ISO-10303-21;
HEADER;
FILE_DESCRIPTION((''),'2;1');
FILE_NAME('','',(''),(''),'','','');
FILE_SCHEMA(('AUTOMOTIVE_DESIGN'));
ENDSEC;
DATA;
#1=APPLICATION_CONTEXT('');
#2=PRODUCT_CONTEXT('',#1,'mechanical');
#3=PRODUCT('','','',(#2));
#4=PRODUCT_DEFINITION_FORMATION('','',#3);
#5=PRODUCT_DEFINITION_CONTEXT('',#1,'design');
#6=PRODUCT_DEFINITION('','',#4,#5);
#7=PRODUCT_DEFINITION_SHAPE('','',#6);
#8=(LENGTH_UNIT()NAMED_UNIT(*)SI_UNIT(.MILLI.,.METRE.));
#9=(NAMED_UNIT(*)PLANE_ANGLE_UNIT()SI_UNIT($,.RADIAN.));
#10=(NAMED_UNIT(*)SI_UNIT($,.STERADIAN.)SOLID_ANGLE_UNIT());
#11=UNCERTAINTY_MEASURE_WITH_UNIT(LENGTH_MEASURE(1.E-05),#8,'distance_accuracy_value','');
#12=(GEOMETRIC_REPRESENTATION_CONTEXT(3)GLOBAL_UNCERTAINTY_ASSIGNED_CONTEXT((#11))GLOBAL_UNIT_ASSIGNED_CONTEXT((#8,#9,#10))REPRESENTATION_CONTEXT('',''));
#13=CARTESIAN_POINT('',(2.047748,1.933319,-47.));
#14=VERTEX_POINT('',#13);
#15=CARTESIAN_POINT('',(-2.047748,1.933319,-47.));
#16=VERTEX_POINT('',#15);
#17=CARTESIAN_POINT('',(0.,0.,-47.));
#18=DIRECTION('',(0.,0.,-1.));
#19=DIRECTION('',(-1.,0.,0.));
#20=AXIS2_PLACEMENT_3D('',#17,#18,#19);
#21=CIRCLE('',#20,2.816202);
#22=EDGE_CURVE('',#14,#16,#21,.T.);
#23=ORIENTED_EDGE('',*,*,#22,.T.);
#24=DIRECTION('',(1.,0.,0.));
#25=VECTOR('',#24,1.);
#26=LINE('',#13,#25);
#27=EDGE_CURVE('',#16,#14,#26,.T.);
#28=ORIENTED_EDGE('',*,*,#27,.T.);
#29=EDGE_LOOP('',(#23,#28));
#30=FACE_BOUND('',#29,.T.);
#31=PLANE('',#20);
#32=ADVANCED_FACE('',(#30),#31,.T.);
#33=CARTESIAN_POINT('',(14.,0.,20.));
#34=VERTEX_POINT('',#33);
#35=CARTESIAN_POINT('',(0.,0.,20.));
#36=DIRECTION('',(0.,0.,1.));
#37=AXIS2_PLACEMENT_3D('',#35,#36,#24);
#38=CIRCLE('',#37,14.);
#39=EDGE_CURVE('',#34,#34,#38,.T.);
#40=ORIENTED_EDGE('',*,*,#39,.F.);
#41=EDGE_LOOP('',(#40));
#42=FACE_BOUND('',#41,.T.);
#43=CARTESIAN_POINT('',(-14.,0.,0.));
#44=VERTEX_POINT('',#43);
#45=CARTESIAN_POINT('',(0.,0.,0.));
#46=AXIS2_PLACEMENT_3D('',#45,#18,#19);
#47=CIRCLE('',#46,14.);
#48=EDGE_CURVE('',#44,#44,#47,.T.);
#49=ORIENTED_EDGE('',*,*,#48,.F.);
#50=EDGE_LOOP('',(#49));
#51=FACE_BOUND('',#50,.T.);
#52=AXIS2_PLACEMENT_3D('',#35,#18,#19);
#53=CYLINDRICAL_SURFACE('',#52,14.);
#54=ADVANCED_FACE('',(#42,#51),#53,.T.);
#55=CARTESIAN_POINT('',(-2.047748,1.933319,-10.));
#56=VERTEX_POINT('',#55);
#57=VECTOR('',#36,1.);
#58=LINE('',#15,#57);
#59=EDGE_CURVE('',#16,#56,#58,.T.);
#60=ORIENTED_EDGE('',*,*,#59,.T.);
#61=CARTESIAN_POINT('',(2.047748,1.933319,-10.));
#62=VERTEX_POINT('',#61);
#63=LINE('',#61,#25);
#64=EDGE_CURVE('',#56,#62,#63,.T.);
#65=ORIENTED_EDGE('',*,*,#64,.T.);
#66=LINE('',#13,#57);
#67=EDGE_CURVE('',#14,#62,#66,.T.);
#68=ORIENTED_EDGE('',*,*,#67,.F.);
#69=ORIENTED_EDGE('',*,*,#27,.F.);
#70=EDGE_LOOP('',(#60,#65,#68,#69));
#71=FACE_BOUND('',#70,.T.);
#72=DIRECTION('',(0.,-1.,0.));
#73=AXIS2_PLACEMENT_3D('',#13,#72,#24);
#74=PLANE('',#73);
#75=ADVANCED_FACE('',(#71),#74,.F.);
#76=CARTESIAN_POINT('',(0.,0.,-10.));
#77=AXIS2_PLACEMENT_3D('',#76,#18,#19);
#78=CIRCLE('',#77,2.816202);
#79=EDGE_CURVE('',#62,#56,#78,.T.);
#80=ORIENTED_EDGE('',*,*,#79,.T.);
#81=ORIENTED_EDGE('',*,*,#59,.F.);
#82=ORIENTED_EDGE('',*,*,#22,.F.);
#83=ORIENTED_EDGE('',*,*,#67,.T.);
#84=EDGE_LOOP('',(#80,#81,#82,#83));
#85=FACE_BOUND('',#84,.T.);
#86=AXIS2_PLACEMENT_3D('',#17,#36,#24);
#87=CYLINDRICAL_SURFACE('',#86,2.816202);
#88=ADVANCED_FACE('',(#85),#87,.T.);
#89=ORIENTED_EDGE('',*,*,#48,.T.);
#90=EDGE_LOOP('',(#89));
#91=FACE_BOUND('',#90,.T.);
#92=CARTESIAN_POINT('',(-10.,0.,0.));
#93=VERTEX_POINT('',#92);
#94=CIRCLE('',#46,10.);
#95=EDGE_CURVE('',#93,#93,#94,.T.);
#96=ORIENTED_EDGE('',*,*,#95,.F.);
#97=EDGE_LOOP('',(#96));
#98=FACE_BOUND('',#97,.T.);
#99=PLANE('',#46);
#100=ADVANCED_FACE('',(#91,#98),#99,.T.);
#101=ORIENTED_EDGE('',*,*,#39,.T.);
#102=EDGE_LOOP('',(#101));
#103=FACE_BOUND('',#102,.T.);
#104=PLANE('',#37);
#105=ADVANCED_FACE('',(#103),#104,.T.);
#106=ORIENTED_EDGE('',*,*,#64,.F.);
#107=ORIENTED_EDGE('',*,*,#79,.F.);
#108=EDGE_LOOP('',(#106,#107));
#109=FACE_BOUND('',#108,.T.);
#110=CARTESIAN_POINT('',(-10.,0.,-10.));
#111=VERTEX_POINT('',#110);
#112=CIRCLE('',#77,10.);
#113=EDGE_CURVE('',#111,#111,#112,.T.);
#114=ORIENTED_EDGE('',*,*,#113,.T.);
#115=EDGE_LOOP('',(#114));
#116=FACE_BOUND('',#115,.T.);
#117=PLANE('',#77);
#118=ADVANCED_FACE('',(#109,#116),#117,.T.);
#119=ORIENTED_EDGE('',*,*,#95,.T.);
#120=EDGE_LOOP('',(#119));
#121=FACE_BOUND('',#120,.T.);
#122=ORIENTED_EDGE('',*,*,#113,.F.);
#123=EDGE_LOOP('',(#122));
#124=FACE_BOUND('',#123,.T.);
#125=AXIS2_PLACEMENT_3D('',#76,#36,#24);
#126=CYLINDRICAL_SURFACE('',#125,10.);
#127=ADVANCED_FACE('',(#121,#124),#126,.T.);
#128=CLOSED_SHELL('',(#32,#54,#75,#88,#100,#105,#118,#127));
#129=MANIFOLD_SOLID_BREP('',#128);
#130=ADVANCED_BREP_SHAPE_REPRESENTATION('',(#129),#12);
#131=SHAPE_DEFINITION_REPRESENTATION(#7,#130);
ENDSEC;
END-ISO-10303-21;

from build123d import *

# Parameters (mm, degrees)
ESQUISSE1_R             = 14
BOSS_EXTRU_1_DEPTH      = 20
BOSS_EXTRU_2_DEPTH      = 47
ESQUISSE3_R             = 18
BOSS_EXTRU_3_DEPTH      = 2
ESQUISSE4_R             = 10
BOSS_EXTRU_4_DEPTH      = 8
BOSS_EXTRU_5_START      = -2
BOSS_EXTRU_5_DEPTH      = 2
ENL_V_START             = -2
ESQUISSE6_R             = 10
ENL_V_MAT_EXTRU_1_DEPTH = 2


with BuildPart() as part:
    # Esquisse1 → Boss.-Extru.1 (new body)
    with BuildSketch(Plane.XY):
        Circle(ESQUISSE1_R)
    extrude(amount=BOSS_EXTRU_1_DEPTH)

    # Esquisse2 → Boss.-Extru.2 (add)
    with BuildSketch(Plane(origin=(0, 0, 0), x_dir=(-1, 0, 0), z_dir=(0, 0, -1))):
        with BuildLine():
            Line((-2.047747609, 1.933319394), (2.047747609, 1.933319394))
            ThreePointArc((2.047747609, 1.933319394), (0, -2.816202079), (-2.047747609, 1.933319394))
        make_face()
    extrude(amount=BOSS_EXTRU_2_DEPTH)

    # Esquisse3 → Boss.-Extru.3 (add)
    with BuildSketch(Plane(origin=(0, 0, 0), x_dir=(-1, 0, 0), z_dir=(0, 0, -1))):
        Circle(ESQUISSE3_R)
    extrude(amount=BOSS_EXTRU_3_DEPTH)

    # Esquisse4 → Boss.-Extru.4 (add)
    with BuildSketch(Plane(origin=(0, 0, -2), x_dir=(-1, 0, 0), z_dir=(0, 0, -1))):
        Circle(ESQUISSE4_R)
    extrude(amount=BOSS_EXTRU_4_DEPTH)

    # Esquisse5 → Boss.-Extru.5 (add)
    with BuildSketch(Plane(origin=(0, 0, -2), x_dir=(-1, 0, 0), z_dir=(0, 0, -1)).offset(BOSS_EXTRU_5_START)):
        with BuildLine():
            Line((50, 18), (0, 18))
            ThreePointArc((0, 18), (12.727922061, 12.727922061), (18, 0))
            ThreePointArc((18, 0), (12.727922061, -12.727922061), (0, -18))
            Line((0, -18), (50, -18))
            ThreePointArc((50, -18), (57.071067812, -15.071067812), (60, -8))
            Line((60, -8), (60, 8))
            ThreePointArc((60, 8), (57.071067812, 15.071067812), (50, 18))
        make_face()
    extrude(amount=BOSS_EXTRU_5_DEPTH)

    # Esquisse6 → Enlèv. mat.-Extru.1 (cut)
    with BuildSketch(Plane(origin=(0, 0, -2), x_dir=(-1, 0, 0), z_dir=(0, 0, -1)).offset(ENL_V_START)):
        Polygon((0, 18), (-22.504594186, 18), (-22.504594186, -18), (62.101973599, -18), (62.101973599, 18), align=None)
        Circle(ESQUISSE6_R, mode=Mode.SUBTRACT)
    extrude(amount=ENL_V_MAT_EXTRU_1_DEPTH, mode=Mode.SUBTRACT)


solid = part.part
